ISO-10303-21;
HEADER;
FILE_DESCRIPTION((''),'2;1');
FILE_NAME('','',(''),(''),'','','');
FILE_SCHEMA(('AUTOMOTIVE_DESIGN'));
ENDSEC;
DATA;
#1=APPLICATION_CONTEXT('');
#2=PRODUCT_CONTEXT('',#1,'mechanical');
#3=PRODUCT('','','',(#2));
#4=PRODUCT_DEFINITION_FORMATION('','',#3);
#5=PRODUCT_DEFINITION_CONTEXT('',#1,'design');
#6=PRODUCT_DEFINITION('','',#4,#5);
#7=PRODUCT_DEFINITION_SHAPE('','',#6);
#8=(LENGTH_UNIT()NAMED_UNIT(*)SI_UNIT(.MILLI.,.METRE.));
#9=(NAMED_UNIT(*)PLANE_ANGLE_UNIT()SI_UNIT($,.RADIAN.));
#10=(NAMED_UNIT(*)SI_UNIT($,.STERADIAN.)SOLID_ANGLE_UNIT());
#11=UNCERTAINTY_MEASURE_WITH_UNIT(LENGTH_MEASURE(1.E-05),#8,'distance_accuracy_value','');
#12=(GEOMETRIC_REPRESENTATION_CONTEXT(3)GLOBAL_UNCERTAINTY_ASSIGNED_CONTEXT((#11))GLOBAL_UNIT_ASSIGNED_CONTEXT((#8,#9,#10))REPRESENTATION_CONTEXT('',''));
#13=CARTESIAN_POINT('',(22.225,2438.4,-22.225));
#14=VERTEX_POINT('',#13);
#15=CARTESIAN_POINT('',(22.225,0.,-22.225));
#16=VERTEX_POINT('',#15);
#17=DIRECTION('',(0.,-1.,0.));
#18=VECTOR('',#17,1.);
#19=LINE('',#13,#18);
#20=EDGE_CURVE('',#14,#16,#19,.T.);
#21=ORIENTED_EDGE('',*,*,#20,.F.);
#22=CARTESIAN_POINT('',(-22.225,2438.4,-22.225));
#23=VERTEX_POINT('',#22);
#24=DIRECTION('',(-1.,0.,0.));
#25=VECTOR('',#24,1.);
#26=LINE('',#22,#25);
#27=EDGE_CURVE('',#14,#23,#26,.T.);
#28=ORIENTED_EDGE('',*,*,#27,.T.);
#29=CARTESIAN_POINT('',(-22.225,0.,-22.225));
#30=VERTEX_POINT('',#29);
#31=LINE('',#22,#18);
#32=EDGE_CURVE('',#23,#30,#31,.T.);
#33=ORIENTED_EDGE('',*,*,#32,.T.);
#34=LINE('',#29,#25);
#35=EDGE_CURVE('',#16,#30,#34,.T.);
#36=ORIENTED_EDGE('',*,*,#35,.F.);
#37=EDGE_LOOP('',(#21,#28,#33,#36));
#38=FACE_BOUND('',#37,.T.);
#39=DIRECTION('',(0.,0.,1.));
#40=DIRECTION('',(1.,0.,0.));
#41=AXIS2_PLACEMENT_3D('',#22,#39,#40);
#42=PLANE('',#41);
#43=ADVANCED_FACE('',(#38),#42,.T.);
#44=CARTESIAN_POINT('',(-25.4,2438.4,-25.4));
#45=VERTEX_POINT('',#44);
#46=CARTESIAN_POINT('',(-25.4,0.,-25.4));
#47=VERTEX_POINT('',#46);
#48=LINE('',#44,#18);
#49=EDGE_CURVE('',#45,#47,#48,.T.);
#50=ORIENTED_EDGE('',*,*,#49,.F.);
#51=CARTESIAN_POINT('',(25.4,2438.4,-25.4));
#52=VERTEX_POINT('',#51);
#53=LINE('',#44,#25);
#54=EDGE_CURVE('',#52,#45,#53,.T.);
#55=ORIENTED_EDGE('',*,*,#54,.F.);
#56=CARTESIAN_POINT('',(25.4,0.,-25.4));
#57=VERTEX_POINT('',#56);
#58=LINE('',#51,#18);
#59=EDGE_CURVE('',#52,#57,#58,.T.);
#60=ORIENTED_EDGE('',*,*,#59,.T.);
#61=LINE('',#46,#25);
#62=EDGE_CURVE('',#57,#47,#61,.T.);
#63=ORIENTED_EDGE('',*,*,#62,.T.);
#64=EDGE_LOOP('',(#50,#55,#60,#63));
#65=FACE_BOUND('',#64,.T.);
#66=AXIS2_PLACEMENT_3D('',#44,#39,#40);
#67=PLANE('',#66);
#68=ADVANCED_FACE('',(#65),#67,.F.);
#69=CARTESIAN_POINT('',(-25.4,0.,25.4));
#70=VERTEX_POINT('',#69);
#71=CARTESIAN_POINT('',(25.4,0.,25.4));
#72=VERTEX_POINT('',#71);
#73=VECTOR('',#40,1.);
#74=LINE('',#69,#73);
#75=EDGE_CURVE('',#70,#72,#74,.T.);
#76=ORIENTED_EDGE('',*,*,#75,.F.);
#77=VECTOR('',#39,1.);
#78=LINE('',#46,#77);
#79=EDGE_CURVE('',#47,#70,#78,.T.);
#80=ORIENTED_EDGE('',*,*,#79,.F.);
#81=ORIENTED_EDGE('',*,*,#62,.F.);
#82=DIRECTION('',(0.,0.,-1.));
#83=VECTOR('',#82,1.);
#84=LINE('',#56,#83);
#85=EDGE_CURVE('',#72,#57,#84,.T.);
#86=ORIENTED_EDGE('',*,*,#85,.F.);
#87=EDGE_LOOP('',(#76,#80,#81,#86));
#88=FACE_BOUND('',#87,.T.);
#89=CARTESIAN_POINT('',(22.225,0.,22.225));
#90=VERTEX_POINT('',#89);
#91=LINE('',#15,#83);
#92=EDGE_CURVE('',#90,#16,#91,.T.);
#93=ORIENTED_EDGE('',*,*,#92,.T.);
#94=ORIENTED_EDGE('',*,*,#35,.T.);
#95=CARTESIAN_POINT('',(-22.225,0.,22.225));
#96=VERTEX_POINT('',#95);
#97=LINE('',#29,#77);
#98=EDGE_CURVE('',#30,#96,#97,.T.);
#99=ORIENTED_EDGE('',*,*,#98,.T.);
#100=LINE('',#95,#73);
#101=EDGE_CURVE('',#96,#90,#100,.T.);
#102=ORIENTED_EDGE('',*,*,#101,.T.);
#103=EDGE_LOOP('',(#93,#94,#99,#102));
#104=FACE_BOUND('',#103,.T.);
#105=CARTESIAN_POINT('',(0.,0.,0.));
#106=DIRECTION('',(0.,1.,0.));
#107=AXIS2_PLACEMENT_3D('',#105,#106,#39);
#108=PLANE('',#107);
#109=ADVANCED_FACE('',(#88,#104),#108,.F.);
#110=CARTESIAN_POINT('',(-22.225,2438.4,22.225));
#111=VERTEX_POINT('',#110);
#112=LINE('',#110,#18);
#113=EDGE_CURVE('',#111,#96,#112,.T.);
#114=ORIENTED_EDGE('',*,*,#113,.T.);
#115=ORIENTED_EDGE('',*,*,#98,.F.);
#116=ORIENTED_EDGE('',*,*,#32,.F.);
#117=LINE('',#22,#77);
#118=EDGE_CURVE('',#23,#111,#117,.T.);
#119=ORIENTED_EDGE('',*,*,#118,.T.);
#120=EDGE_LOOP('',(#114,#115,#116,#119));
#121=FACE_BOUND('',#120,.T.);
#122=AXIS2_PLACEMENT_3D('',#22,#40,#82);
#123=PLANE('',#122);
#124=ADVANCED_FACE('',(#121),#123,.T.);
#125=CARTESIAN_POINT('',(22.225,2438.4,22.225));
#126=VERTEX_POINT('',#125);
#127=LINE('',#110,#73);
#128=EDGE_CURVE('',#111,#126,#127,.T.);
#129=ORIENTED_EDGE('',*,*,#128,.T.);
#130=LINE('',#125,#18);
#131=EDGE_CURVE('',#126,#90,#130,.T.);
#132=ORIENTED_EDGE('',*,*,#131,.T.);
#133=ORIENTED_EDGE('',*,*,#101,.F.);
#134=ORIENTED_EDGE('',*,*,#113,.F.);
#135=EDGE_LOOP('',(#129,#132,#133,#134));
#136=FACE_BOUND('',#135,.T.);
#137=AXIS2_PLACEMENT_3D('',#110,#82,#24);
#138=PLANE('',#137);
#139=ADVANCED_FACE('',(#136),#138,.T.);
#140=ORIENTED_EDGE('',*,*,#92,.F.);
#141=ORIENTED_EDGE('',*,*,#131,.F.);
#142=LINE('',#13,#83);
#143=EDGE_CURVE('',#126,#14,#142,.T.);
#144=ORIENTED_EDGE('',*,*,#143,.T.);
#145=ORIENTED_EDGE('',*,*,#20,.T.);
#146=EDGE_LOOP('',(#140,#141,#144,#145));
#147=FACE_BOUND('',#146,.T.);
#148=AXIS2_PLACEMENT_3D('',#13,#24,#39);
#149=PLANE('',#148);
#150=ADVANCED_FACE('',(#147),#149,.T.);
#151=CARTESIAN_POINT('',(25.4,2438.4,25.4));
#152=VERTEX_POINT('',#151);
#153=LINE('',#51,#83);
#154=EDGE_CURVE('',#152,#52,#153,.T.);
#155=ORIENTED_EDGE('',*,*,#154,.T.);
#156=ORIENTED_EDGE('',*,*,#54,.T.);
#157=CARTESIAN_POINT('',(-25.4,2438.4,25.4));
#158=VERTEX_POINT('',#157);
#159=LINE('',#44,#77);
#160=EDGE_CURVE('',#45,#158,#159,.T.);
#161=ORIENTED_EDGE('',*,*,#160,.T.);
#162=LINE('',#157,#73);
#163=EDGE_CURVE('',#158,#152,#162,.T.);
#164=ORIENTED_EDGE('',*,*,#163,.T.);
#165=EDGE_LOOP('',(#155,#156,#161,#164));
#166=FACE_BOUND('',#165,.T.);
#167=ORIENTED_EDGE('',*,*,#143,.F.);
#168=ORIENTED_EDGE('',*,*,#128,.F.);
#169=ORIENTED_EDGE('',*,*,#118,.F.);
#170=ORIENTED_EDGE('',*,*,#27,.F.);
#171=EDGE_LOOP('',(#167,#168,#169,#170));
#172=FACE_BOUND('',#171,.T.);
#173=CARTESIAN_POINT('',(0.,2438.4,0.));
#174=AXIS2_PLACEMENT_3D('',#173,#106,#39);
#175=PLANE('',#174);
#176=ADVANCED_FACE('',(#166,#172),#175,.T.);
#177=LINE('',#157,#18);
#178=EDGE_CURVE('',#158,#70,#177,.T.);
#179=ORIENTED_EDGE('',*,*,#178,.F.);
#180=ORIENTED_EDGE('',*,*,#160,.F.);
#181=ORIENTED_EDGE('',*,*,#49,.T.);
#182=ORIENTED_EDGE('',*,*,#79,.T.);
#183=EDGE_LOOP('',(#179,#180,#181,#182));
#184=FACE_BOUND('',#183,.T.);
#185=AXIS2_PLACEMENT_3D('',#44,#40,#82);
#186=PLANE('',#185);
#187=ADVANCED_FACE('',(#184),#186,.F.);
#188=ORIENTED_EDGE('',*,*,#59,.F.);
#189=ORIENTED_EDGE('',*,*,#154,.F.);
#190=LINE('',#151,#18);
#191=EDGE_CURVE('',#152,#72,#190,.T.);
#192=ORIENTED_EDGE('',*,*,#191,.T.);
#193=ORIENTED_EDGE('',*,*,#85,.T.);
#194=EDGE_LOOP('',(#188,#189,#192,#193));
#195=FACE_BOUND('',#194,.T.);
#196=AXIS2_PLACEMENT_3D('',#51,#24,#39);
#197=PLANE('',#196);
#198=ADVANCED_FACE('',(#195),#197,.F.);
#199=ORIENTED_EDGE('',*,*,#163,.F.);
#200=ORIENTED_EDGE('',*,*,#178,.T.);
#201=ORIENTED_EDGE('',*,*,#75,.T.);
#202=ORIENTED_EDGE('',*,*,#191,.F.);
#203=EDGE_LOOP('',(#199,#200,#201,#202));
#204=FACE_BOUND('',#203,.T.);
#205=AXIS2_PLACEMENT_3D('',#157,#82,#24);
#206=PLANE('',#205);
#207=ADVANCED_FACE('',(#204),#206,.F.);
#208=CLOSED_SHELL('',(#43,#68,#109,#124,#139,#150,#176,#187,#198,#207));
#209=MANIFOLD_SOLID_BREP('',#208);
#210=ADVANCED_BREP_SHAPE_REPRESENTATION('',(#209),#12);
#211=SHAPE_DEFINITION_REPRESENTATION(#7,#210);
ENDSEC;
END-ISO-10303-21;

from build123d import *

# Parameters (mm, degrees)
SKETCH1_W           = 50.8
SKETCH1_H           = 50.8
SKETCH1_W_2         = 44.45
SKETCH1_H_2         = 44.45
BOSS_EXTRUDE1_DEPTH = 2438.4


with BuildPart() as part:
    # Sketch1 → Boss-Extrude1 (new body)
    with BuildSketch(Plane(origin=(0, 0, 0), x_dir=(1, 0, 0), z_dir=(0, 1, 0))):
        Rectangle(SKETCH1_W, SKETCH1_H)
        Rectangle(SKETCH1_W_2, SKETCH1_H_2, mode=Mode.SUBTRACT)
    extrude(amount=BOSS_EXTRUDE1_DEPTH)


solid = part.part
